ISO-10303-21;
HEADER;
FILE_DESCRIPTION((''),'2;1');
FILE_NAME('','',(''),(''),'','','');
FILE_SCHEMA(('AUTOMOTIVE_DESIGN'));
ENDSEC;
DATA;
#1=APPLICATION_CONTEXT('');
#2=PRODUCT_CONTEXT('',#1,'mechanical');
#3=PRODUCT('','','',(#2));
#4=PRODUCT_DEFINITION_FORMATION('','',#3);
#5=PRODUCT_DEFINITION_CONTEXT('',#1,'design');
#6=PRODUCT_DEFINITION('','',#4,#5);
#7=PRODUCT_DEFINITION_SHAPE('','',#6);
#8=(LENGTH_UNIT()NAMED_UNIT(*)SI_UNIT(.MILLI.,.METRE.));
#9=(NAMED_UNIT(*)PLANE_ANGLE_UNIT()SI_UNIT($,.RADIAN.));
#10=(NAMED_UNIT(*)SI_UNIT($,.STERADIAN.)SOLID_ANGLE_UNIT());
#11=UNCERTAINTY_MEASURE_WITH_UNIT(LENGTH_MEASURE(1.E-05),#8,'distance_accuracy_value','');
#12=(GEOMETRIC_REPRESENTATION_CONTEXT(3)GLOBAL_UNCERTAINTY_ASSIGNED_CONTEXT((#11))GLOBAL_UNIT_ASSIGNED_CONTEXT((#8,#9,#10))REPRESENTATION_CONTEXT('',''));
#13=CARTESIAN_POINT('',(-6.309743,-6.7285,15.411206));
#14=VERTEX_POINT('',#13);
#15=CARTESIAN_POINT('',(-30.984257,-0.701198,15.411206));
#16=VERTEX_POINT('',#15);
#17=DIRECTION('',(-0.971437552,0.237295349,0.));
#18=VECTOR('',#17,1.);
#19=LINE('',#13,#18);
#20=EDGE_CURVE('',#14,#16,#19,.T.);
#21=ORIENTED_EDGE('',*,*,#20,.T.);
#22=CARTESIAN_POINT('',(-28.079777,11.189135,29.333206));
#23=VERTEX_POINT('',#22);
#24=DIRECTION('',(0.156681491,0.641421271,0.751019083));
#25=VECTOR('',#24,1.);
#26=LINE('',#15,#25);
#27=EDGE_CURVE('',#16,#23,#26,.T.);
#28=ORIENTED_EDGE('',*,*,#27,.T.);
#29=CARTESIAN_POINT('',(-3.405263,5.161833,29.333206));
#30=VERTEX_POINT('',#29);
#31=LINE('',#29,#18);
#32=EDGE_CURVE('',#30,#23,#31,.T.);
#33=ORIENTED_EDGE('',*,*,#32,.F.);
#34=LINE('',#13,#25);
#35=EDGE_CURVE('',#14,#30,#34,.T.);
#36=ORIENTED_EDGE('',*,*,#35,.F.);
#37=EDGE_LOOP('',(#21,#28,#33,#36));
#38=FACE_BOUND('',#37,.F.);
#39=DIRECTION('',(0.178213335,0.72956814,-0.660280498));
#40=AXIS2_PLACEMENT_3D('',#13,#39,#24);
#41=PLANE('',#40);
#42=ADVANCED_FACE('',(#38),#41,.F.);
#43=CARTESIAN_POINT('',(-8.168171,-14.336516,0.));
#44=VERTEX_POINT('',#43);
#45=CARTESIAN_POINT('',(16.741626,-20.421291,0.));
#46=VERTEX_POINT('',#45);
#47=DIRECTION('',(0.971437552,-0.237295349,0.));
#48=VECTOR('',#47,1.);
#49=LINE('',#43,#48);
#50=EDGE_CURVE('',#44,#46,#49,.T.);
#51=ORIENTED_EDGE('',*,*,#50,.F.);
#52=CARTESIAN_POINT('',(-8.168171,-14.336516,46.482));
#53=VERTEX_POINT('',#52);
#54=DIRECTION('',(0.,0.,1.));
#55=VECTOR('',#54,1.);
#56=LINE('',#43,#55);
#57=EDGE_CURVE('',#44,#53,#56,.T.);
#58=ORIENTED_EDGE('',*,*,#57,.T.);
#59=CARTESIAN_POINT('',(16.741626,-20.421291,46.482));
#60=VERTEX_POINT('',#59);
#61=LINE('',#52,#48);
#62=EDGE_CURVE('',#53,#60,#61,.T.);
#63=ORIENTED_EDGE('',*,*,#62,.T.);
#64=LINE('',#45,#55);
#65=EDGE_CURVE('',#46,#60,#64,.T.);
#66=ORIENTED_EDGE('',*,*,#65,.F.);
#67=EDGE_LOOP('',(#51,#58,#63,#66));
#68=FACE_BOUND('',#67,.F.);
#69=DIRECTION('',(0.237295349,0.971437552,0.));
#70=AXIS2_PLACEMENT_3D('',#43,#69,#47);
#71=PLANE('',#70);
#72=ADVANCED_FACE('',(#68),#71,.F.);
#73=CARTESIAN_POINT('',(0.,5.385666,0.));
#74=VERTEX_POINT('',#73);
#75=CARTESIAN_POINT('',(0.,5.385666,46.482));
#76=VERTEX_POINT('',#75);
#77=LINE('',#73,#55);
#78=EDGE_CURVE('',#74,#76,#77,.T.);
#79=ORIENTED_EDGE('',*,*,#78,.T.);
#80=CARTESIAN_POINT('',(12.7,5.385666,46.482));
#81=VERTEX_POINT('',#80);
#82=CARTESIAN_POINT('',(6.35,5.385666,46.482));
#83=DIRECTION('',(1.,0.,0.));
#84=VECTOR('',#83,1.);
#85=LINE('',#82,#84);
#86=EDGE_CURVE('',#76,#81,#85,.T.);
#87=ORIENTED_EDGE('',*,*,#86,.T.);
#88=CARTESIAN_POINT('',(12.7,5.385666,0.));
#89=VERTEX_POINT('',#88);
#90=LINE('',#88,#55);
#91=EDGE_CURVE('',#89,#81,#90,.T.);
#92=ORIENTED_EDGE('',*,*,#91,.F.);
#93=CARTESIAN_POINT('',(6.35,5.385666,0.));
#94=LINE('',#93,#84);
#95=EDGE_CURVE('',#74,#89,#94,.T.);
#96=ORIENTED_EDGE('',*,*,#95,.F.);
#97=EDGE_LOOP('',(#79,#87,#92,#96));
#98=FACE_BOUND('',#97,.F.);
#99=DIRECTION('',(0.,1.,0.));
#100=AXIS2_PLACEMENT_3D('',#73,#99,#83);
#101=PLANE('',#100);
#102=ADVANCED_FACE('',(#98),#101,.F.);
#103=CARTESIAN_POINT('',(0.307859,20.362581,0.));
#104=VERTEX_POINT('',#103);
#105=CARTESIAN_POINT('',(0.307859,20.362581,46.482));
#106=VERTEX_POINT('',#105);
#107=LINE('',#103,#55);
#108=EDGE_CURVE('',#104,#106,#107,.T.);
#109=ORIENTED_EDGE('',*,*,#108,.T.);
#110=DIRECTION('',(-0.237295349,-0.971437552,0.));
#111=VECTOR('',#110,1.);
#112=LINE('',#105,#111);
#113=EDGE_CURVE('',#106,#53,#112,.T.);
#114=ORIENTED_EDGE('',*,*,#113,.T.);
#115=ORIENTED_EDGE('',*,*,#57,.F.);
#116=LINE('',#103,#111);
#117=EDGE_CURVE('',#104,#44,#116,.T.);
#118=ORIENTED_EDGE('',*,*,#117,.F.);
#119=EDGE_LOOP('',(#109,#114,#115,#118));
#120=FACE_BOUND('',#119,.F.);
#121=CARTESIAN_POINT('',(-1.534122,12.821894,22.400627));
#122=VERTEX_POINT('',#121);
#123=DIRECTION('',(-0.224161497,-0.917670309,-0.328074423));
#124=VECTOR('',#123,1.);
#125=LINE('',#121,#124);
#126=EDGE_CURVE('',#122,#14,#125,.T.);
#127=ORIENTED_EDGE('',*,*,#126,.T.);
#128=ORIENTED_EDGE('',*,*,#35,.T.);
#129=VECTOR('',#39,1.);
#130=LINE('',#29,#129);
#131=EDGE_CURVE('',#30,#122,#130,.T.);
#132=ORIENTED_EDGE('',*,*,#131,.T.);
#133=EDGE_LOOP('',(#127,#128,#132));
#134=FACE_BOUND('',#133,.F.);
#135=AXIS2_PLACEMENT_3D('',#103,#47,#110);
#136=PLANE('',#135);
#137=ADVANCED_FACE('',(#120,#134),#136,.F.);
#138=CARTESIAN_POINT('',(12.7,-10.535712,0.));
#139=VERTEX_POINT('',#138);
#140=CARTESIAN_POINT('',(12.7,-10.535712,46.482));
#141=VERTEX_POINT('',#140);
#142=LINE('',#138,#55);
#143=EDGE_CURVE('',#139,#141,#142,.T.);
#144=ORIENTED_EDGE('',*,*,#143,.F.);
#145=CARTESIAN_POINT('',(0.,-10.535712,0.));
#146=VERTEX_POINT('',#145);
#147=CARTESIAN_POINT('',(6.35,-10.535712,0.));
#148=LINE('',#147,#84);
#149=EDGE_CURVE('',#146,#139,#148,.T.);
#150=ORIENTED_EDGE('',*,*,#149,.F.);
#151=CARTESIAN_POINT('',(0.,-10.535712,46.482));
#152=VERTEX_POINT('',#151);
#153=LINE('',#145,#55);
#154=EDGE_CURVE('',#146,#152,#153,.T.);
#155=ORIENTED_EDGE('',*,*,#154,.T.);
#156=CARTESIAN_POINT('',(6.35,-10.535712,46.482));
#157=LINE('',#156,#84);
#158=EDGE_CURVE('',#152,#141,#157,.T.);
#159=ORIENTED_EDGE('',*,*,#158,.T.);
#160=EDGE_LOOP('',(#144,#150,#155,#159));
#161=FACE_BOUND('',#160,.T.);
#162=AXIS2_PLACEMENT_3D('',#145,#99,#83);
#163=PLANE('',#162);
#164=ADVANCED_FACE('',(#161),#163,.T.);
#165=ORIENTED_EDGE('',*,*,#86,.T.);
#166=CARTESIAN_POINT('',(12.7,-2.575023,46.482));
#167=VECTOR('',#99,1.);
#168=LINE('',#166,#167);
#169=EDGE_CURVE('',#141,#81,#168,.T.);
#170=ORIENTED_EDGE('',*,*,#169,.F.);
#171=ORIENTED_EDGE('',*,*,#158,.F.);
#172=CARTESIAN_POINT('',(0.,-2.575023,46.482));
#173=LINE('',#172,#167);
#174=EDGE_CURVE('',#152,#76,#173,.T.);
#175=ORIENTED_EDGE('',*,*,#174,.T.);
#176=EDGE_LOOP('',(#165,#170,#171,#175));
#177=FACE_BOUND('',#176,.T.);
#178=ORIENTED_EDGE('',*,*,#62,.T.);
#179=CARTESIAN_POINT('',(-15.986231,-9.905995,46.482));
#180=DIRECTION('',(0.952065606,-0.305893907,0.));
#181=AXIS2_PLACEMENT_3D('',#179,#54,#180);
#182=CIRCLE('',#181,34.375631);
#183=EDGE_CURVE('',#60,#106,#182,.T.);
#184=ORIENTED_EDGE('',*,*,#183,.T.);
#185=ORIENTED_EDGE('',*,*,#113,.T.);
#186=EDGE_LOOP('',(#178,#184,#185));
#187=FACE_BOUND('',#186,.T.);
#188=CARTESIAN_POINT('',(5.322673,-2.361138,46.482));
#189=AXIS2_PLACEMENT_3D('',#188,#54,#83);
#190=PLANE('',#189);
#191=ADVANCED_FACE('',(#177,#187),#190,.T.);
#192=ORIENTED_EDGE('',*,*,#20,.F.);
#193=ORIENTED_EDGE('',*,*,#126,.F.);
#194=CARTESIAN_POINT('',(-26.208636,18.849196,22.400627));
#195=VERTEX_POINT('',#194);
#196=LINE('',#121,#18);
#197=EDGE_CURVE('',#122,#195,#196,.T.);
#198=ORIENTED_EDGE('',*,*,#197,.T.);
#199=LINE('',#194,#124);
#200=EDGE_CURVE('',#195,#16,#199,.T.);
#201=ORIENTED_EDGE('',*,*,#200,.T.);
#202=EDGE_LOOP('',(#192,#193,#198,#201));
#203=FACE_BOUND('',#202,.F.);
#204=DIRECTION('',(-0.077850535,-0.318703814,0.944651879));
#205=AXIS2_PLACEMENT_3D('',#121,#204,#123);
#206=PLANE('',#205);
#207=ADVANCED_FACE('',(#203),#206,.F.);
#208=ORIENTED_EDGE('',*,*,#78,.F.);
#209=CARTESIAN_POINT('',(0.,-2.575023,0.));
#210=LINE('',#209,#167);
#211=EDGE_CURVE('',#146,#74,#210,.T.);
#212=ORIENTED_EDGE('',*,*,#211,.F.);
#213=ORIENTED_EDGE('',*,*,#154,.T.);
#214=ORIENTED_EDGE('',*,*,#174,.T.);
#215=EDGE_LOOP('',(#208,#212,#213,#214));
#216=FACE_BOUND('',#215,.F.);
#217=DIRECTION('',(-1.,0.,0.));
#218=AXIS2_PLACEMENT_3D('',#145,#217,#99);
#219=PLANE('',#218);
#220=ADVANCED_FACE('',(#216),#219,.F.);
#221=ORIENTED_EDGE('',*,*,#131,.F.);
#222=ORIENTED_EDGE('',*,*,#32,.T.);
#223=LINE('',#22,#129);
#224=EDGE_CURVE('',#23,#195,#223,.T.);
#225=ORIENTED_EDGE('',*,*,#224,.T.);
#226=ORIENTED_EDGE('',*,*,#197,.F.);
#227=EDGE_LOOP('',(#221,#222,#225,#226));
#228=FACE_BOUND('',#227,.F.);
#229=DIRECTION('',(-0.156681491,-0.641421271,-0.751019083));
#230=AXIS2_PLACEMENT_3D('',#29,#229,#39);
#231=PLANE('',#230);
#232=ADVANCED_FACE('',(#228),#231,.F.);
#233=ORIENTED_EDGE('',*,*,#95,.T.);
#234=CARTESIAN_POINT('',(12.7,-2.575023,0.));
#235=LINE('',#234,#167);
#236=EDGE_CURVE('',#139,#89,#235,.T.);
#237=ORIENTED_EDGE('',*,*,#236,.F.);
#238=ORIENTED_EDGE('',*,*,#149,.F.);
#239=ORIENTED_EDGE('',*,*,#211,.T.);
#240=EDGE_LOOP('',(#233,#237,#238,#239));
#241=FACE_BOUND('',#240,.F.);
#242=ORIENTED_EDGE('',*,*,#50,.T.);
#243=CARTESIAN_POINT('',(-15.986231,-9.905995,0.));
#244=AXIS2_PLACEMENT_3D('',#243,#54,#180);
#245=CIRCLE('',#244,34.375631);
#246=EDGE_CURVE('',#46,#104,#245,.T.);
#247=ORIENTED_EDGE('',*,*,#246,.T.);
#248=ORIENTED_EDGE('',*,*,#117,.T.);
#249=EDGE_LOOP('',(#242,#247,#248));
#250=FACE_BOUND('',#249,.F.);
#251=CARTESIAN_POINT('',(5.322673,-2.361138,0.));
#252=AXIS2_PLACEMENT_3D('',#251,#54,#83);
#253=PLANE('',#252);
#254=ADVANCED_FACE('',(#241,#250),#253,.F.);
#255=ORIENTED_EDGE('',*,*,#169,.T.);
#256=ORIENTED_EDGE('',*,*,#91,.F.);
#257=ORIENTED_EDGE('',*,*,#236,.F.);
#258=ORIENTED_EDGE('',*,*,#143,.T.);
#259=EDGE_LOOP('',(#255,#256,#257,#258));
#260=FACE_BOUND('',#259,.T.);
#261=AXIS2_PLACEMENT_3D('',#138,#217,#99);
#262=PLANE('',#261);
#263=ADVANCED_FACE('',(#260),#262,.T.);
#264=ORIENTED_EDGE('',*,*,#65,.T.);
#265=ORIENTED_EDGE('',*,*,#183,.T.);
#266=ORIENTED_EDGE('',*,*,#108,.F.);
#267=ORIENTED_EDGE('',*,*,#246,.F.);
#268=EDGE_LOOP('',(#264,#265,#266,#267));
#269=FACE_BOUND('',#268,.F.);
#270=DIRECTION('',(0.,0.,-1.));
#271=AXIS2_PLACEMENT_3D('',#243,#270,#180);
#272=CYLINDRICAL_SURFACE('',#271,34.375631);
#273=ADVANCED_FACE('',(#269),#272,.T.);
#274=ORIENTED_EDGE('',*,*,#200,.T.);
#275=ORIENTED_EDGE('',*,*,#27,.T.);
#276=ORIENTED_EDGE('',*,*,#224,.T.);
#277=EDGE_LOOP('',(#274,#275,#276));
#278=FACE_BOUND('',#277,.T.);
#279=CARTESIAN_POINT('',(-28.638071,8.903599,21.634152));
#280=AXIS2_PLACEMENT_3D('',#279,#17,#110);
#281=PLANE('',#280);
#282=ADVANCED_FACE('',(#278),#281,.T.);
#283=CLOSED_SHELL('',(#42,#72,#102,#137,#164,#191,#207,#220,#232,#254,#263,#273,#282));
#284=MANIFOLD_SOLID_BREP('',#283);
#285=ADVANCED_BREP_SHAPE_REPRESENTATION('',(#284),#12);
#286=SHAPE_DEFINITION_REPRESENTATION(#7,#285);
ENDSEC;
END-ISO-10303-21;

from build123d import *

# Parameters (mm, degrees)
F0_W     = 12.7
F0_H     = 15.9213780425
F1_DEPTH = 46.482
F3_DEPTH = 25.4


with BuildPart() as f1:
    # F0 (on Top) → F1 (new body)
    with BuildSketch(Plane.XY):
        with BuildLine():
            ThreePointArc((16.7416256447, -20.4212910858), (15.8982302722, 2.9417746338), (0.3078590999, 20.3625806509))
            Line((0.3078590999, 20.3625806509), (-8.168171327, -14.3365160608))
            Line((-8.168171327, -14.3365160608), (16.7416256447, -20.4212910858))
        make_face()
        with Locations((6.35, -2.5750233326)):
            Rectangle(F0_W, F0_H, mode=Mode.SUBTRACT)
    extrude(amount=F1_DEPTH)

    # F2 (on face) → F3 (join)
    with BuildSketch(Plane(origin=(-4.40340964, 1.0756312881, 0), x_dir=(-0.2372953486, -0.9714375521, 0), z_dir=(-0.9714375521, 0.2372953486, 0))):
        Polygon((8.0335900158, 15.4112059095), (-4.2063454166, 29.3332058936), (-12.0916292071, 22.4006269127), align=None)
    extrude(amount=F3_DEPTH)


solid = f1.part
